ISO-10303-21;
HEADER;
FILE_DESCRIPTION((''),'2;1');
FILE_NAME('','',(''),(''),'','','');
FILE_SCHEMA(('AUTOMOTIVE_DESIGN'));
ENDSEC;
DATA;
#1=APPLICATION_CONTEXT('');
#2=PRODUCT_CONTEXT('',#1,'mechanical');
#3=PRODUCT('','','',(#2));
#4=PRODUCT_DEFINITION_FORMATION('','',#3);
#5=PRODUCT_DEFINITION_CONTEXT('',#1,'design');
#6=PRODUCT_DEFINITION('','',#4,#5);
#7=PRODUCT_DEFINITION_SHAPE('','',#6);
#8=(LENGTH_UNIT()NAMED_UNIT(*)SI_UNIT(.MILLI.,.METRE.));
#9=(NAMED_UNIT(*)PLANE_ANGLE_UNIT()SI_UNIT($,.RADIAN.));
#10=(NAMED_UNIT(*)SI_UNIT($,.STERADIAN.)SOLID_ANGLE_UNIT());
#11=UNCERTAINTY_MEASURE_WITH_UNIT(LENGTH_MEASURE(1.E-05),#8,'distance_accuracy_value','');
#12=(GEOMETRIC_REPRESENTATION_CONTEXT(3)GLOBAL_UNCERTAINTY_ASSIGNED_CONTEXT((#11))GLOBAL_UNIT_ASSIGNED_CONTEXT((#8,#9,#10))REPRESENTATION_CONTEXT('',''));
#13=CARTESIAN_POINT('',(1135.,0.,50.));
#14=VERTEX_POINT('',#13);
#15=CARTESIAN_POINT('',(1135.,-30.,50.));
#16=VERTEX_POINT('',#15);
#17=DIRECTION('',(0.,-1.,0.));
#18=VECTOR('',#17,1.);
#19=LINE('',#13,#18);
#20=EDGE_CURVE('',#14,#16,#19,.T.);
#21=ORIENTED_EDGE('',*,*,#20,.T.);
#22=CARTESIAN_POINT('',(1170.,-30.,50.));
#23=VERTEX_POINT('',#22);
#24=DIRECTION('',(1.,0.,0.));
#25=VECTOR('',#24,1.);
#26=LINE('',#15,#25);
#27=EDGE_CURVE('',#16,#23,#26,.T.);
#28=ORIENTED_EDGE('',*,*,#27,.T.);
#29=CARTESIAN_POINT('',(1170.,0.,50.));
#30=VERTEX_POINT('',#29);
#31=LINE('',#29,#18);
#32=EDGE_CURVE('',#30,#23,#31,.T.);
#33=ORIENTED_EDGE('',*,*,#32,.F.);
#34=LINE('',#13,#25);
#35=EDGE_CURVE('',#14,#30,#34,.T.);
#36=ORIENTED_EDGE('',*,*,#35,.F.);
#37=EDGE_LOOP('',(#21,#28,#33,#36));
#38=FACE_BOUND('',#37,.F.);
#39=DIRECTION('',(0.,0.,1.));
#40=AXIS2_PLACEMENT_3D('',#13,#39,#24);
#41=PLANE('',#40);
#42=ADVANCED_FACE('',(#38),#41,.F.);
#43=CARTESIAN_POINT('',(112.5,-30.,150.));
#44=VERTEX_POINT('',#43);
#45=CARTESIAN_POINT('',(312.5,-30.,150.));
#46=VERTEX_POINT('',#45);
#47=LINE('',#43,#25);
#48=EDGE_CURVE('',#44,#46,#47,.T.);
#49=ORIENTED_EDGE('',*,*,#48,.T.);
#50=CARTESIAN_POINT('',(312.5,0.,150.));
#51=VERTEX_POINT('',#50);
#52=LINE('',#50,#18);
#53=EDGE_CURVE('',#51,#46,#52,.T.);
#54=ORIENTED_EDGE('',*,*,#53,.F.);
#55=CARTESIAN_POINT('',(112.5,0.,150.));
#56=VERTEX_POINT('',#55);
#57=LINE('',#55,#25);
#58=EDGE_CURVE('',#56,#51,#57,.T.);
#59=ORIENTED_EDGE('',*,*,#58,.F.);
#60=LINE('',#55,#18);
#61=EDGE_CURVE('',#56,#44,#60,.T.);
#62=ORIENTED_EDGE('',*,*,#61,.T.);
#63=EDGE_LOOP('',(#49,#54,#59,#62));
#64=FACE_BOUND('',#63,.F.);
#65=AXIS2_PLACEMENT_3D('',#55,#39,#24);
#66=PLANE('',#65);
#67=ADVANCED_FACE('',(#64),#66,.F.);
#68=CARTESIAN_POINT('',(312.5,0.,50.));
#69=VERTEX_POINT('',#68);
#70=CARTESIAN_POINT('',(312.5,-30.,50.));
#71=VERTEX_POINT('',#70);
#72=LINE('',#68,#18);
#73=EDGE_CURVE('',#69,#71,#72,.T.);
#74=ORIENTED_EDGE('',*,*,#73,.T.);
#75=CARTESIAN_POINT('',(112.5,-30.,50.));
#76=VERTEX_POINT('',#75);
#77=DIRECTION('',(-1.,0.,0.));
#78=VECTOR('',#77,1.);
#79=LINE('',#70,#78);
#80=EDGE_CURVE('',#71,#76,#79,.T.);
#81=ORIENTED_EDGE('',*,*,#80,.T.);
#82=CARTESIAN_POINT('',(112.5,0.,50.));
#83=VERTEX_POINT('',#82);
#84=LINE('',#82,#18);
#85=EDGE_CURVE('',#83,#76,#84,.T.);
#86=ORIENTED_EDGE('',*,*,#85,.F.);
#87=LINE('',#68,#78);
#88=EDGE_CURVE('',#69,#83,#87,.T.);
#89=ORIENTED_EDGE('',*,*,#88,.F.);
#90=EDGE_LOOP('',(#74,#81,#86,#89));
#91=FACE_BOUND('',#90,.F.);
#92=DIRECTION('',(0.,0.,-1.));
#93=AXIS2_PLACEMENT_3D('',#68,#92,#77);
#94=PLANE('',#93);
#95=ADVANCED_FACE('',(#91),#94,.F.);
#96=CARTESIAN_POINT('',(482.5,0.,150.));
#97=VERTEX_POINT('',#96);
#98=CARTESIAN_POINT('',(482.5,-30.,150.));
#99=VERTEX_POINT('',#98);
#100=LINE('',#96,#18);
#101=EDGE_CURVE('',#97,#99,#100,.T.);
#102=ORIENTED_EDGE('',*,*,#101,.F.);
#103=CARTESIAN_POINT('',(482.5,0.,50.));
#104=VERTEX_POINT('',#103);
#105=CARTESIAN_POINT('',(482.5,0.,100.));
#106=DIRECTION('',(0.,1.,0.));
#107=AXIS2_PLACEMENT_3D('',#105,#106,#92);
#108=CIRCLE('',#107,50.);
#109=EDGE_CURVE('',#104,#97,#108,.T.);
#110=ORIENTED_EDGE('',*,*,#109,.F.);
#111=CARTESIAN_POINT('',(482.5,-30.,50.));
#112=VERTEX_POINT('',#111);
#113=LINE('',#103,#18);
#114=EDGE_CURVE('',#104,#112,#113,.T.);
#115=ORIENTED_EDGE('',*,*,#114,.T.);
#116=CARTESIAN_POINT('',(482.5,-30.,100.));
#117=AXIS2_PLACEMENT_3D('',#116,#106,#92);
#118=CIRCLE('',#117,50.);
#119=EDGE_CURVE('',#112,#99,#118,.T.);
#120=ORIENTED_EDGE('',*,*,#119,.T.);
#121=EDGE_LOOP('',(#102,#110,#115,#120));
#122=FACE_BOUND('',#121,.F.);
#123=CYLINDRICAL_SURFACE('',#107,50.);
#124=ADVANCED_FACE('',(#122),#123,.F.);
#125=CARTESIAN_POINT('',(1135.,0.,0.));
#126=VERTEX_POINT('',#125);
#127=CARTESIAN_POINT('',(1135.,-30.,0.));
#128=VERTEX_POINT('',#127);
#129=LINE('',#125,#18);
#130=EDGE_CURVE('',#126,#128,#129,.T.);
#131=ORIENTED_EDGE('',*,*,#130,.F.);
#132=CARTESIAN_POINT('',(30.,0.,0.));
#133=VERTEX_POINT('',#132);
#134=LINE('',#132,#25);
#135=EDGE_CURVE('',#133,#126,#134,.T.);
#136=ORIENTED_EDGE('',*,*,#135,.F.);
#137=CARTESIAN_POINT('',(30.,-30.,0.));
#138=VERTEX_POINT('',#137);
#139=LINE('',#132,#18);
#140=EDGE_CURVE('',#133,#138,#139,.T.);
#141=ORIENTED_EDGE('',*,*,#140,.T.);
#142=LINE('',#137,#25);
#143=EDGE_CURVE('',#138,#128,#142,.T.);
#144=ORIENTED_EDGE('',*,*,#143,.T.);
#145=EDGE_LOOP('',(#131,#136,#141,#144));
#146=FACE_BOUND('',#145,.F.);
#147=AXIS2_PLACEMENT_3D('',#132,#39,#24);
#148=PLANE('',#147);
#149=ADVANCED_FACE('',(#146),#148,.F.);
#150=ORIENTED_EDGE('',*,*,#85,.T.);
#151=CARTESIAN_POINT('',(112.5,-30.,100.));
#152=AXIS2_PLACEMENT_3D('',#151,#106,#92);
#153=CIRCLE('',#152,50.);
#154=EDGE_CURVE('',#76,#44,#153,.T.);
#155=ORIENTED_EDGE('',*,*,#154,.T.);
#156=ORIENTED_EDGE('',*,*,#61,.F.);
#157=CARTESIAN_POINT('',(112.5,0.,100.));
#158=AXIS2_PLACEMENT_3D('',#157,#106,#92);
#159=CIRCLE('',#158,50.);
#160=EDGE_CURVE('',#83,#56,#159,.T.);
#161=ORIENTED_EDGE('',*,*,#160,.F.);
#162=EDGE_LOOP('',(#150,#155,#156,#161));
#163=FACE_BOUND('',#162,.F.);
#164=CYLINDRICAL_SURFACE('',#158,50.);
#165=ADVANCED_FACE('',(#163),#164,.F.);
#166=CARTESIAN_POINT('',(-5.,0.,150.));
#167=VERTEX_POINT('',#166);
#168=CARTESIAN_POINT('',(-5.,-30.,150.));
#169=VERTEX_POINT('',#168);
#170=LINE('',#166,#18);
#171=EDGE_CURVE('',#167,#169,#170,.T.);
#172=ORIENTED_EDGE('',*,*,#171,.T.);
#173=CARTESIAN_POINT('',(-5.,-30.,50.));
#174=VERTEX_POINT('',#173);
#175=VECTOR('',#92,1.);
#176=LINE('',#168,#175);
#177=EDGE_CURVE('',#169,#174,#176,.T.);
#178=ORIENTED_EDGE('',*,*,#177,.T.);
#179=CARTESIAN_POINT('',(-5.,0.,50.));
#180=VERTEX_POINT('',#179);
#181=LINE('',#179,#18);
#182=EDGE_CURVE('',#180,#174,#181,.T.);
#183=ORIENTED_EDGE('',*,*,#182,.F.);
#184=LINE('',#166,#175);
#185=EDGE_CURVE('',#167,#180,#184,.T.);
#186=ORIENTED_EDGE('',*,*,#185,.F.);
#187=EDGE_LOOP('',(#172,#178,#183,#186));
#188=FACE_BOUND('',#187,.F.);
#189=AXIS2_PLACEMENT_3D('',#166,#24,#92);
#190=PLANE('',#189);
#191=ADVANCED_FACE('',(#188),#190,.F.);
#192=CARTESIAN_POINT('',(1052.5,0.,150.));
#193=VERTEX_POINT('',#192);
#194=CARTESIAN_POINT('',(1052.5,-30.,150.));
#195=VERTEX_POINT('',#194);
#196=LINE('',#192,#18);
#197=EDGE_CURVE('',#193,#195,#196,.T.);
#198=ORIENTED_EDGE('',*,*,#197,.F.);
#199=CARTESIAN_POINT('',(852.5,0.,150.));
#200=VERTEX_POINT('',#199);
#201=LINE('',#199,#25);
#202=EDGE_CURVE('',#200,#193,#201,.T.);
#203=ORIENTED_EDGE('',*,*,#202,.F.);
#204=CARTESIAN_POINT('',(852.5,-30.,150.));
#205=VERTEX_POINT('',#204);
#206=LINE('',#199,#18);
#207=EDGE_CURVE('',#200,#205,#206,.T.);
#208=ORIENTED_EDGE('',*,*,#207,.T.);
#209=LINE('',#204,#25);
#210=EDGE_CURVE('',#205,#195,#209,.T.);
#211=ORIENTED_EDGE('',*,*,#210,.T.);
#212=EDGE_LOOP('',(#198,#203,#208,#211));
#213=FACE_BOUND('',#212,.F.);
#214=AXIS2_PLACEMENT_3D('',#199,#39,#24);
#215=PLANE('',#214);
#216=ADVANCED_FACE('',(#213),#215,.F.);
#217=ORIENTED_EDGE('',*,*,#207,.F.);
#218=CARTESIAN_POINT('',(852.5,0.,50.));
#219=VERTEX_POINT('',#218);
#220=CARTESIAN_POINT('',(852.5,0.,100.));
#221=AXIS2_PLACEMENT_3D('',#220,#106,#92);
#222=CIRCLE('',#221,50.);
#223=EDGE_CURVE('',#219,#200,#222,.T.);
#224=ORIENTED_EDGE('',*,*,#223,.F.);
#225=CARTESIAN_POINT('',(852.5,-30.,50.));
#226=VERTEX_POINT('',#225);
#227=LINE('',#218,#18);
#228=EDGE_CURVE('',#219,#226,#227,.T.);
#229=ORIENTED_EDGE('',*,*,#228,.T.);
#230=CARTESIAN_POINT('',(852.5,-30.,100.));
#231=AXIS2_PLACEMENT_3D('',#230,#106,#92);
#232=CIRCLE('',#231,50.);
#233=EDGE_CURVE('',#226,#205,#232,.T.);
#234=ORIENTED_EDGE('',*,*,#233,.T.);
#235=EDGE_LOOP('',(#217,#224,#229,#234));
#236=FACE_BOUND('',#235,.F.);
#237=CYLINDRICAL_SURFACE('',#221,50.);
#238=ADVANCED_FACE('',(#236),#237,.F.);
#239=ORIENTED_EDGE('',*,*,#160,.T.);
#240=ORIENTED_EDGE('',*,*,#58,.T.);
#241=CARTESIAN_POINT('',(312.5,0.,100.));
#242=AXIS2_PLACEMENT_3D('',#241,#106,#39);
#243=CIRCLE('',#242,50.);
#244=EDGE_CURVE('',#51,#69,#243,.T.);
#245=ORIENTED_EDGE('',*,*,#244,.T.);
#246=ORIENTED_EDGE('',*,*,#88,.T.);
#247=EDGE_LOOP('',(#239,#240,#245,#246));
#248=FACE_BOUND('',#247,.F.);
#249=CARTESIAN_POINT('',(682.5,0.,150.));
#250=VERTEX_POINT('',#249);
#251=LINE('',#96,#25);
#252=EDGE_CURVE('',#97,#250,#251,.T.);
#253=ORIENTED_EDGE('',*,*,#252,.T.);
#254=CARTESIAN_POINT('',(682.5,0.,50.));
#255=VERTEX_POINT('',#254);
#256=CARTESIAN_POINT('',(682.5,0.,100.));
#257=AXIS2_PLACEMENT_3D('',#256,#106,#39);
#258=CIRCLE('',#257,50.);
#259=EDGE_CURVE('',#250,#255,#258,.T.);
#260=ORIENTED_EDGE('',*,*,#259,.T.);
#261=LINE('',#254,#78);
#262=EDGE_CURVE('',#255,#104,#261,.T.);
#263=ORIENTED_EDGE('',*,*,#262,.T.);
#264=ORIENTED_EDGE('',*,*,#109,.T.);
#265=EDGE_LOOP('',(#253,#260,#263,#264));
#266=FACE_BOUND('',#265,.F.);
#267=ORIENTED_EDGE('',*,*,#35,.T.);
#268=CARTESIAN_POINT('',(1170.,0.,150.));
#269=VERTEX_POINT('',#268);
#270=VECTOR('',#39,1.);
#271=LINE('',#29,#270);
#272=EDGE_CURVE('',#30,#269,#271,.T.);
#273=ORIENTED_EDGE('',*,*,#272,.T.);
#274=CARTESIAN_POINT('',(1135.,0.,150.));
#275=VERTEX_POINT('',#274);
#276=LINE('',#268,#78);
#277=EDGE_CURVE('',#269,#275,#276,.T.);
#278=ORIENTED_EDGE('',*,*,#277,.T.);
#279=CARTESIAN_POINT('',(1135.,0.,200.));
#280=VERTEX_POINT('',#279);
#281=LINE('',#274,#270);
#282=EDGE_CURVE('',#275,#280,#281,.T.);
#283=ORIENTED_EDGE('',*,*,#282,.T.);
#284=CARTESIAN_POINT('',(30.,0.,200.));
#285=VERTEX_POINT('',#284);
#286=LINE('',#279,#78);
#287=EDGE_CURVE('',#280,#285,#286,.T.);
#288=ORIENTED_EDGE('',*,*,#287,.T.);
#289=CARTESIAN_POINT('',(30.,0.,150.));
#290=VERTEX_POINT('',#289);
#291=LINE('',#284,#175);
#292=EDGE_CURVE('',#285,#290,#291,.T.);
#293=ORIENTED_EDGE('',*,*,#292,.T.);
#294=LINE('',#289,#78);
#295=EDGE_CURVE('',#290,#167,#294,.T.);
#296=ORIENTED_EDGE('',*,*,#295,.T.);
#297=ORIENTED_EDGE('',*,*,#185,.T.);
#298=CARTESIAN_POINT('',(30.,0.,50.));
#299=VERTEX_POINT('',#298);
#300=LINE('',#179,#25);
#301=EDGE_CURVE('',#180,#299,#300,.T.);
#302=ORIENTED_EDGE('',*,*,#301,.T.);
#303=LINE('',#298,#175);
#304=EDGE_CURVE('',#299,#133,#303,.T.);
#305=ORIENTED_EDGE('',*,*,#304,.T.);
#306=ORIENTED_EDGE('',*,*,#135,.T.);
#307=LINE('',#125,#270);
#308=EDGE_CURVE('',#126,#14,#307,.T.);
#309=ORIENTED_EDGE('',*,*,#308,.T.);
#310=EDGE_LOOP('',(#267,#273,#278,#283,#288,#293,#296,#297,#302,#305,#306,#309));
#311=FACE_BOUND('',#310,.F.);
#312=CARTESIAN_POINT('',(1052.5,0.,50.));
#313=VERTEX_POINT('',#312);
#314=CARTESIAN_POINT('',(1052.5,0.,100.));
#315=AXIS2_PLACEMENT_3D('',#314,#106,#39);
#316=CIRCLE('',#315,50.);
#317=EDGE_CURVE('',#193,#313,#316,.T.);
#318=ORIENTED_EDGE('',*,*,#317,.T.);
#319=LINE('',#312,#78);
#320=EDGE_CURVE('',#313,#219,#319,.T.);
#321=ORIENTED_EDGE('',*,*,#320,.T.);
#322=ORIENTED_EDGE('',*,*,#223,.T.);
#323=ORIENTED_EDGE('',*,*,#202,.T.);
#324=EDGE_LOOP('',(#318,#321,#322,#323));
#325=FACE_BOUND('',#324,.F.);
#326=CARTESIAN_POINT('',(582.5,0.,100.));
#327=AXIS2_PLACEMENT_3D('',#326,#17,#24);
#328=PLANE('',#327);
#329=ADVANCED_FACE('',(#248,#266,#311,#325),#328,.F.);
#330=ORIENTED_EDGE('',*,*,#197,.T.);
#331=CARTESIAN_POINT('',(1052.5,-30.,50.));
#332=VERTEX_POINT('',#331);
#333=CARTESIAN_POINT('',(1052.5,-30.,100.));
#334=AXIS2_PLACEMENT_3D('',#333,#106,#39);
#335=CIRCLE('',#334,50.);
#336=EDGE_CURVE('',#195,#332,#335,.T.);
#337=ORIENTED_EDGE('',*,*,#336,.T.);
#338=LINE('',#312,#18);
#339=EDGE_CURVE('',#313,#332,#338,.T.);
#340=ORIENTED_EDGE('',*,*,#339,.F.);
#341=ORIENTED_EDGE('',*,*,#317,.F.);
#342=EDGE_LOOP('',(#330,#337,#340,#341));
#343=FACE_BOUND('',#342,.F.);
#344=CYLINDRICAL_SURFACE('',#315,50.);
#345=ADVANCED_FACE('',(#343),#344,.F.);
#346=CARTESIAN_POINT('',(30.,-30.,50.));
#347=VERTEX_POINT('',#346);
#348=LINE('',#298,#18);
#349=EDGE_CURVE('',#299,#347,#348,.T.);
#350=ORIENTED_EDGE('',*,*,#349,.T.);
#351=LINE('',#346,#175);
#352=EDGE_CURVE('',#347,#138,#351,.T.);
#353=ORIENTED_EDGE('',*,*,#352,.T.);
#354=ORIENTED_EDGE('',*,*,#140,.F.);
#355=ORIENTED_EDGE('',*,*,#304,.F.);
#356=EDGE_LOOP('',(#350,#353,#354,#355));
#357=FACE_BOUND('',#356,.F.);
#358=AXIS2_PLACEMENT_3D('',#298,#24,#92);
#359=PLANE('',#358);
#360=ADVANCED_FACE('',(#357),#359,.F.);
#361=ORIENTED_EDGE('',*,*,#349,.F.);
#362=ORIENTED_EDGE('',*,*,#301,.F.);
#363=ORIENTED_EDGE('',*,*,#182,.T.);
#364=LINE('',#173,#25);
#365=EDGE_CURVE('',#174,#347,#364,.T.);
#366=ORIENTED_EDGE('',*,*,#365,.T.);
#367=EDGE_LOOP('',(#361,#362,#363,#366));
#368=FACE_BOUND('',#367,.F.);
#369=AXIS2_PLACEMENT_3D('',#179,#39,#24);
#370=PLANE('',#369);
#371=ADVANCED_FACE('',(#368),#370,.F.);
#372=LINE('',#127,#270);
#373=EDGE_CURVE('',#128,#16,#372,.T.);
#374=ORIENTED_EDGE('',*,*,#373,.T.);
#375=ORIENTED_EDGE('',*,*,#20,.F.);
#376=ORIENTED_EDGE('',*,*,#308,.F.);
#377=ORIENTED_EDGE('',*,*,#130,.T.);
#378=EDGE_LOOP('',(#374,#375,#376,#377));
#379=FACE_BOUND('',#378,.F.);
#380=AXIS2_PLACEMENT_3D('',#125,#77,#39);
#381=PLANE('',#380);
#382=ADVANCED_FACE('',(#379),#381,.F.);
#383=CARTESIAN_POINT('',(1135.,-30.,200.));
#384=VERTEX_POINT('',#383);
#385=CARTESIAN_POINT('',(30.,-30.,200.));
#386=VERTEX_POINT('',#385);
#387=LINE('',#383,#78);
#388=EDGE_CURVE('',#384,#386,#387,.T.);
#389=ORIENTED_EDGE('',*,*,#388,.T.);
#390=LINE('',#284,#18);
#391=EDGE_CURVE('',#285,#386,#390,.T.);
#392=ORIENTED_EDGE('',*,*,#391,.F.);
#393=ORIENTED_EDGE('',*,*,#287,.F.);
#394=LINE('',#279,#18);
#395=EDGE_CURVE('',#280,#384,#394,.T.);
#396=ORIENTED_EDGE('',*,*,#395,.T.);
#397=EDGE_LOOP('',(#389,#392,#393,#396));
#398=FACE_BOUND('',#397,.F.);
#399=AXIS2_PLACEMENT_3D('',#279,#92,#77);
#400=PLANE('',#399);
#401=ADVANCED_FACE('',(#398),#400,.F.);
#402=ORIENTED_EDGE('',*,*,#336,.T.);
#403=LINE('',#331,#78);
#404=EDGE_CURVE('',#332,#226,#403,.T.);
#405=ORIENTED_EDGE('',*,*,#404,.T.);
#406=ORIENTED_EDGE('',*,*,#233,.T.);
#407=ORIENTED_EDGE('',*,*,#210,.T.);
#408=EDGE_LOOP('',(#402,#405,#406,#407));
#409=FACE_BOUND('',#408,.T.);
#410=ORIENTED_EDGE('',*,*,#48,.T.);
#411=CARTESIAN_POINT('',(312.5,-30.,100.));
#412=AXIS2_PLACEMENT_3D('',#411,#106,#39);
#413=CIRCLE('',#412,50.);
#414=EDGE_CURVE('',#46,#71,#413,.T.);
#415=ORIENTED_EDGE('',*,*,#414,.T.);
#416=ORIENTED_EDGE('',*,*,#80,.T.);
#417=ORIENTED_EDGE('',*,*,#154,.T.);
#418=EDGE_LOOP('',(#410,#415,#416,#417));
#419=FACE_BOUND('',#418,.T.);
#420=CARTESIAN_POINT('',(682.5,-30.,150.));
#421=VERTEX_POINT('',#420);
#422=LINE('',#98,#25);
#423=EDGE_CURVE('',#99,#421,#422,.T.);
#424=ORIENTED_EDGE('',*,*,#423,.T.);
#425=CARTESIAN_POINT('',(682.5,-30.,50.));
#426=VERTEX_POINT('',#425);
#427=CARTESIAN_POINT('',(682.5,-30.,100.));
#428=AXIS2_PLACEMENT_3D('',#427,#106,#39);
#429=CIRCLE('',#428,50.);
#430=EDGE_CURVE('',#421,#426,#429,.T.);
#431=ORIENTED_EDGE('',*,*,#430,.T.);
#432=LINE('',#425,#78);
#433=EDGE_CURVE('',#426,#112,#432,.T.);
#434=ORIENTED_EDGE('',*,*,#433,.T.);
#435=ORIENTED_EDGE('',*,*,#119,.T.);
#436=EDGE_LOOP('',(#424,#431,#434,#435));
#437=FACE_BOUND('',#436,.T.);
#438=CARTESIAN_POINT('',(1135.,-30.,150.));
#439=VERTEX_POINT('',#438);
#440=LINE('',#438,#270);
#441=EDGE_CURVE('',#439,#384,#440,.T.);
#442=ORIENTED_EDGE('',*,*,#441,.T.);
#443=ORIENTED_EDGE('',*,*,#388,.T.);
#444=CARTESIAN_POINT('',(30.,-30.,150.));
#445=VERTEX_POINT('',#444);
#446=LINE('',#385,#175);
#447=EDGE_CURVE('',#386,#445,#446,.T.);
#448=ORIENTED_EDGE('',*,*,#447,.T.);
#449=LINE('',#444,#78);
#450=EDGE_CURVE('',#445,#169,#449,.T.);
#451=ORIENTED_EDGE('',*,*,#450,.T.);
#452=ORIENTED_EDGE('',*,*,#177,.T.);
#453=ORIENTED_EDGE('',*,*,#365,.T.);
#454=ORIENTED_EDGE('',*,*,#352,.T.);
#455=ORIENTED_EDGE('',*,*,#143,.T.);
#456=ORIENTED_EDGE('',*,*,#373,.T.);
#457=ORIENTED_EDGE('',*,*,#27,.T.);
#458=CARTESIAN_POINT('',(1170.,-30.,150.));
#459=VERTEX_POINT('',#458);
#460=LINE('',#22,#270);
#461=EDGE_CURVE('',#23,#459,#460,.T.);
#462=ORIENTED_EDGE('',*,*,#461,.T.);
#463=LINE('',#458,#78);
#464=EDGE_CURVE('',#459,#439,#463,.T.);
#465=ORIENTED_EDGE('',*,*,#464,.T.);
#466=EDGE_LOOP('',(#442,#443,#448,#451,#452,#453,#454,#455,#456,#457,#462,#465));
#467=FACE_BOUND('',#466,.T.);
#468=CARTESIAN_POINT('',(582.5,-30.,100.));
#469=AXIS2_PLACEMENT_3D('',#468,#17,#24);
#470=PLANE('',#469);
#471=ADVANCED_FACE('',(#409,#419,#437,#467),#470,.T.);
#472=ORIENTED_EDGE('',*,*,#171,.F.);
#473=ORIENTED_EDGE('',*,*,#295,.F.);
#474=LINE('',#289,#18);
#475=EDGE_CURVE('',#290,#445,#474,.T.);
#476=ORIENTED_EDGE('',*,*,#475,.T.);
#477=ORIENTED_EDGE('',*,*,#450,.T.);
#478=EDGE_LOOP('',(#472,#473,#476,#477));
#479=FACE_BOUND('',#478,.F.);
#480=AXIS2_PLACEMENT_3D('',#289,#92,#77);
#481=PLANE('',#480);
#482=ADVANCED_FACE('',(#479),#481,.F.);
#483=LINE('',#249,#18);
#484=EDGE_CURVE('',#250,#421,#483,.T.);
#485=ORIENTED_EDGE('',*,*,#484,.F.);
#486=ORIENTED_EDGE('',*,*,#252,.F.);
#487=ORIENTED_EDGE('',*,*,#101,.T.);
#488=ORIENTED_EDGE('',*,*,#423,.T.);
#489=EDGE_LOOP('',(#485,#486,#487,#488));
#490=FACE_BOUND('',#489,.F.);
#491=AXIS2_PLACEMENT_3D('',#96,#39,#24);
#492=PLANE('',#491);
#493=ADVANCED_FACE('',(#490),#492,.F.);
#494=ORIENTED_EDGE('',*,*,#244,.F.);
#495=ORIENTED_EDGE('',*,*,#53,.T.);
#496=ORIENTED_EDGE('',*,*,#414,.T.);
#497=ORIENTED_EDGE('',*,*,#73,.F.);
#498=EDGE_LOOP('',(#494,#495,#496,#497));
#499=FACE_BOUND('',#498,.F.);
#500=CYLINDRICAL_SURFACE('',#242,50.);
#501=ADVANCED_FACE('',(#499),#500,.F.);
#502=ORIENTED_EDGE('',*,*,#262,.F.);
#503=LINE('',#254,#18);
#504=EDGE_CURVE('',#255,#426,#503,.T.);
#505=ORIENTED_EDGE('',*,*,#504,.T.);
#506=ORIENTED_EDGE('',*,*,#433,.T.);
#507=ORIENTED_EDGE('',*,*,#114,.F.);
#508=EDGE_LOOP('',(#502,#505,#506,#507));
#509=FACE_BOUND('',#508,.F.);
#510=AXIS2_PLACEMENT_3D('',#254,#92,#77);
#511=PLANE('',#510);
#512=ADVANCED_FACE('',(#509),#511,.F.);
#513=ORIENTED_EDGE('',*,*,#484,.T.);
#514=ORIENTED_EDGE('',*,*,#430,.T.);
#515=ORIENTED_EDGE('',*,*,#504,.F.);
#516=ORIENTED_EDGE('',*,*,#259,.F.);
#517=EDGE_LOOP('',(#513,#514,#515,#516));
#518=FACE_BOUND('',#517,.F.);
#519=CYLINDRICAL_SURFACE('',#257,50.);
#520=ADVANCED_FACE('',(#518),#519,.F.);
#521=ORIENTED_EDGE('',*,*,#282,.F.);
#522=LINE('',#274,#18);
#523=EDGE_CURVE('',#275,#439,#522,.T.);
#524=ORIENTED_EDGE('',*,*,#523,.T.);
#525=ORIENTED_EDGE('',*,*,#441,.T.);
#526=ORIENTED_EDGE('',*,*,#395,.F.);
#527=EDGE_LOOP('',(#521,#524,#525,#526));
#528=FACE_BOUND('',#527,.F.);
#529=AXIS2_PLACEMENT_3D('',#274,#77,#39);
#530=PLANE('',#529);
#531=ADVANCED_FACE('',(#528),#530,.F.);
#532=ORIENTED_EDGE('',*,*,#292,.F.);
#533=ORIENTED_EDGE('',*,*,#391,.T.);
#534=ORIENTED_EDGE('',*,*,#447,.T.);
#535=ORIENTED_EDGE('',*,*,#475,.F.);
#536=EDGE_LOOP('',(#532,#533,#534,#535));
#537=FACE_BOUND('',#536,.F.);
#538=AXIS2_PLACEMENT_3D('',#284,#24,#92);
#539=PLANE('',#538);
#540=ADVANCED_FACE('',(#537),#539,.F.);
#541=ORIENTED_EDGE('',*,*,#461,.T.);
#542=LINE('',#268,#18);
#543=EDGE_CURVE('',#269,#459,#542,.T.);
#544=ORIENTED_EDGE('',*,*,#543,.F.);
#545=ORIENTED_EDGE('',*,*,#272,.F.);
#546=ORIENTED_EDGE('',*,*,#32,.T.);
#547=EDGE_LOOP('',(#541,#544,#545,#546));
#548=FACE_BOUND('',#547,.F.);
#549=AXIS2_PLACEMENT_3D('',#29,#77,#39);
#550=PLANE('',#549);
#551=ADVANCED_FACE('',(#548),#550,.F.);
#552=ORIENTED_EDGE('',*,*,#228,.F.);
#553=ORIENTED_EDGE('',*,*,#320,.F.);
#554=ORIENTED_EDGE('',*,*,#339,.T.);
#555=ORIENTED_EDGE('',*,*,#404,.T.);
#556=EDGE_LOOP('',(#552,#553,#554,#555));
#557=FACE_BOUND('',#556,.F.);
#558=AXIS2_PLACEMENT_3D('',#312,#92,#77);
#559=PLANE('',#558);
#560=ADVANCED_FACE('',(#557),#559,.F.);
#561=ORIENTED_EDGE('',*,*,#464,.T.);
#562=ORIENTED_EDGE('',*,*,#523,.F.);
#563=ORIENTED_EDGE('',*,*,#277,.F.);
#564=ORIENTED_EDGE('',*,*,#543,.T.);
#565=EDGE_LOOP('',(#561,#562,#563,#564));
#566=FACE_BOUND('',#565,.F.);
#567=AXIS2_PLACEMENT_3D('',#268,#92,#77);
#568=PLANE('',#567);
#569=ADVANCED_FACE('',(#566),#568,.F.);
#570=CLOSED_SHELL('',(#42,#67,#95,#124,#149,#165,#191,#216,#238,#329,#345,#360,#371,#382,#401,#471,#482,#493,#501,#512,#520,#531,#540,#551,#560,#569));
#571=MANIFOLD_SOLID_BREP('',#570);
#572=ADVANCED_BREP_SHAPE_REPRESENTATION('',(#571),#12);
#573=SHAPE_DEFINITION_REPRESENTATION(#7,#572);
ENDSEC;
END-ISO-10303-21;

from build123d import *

# Parameters (mm, degrees)
F1_DEPTH = 30


with BuildPart() as f1:
    # F0 (on Front) → F1 (new body)
    with BuildSketch(Plane.XZ):
        Polygon((30, 50), (30, 0), (1135, 0), (1135, 50), (1170, 50), (1170, 150), (1135, 150), (1135, 200), (30, 200), (30, 150), (-5, 150), (-5, 50), align=None)
        with BuildLine():
            Line((312.5, 50), (112.5, 50))
            ThreePointArc((112.5, 50), (62.5, 100), (112.5, 150))
            Line((112.5, 150), (312.5, 150))
            ThreePointArc((312.5, 150), (362.5, 100), (312.5, 50))
        make_face(mode=Mode.SUBTRACT)
        with BuildLine():
            Line((682.5, 50), (482.5, 50))
            ThreePointArc((482.5, 50), (432.5, 100), (482.5, 150))
            Line((482.5, 150), (682.5, 150))
            ThreePointArc((682.5, 150), (732.5, 100), (682.5, 50))
        make_face(mode=Mode.SUBTRACT)
        with BuildLine():
            Line((1052.5, 50), (852.5, 50))
            ThreePointArc((852.5, 50), (802.5, 100), (852.5, 150))
            Line((852.5, 150), (1052.5, 150))
            ThreePointArc((1052.5, 150), (1102.5, 100), (1052.5, 50))
        make_face(mode=Mode.SUBTRACT)
    extrude(amount=F1_DEPTH)


solid = f1.part
